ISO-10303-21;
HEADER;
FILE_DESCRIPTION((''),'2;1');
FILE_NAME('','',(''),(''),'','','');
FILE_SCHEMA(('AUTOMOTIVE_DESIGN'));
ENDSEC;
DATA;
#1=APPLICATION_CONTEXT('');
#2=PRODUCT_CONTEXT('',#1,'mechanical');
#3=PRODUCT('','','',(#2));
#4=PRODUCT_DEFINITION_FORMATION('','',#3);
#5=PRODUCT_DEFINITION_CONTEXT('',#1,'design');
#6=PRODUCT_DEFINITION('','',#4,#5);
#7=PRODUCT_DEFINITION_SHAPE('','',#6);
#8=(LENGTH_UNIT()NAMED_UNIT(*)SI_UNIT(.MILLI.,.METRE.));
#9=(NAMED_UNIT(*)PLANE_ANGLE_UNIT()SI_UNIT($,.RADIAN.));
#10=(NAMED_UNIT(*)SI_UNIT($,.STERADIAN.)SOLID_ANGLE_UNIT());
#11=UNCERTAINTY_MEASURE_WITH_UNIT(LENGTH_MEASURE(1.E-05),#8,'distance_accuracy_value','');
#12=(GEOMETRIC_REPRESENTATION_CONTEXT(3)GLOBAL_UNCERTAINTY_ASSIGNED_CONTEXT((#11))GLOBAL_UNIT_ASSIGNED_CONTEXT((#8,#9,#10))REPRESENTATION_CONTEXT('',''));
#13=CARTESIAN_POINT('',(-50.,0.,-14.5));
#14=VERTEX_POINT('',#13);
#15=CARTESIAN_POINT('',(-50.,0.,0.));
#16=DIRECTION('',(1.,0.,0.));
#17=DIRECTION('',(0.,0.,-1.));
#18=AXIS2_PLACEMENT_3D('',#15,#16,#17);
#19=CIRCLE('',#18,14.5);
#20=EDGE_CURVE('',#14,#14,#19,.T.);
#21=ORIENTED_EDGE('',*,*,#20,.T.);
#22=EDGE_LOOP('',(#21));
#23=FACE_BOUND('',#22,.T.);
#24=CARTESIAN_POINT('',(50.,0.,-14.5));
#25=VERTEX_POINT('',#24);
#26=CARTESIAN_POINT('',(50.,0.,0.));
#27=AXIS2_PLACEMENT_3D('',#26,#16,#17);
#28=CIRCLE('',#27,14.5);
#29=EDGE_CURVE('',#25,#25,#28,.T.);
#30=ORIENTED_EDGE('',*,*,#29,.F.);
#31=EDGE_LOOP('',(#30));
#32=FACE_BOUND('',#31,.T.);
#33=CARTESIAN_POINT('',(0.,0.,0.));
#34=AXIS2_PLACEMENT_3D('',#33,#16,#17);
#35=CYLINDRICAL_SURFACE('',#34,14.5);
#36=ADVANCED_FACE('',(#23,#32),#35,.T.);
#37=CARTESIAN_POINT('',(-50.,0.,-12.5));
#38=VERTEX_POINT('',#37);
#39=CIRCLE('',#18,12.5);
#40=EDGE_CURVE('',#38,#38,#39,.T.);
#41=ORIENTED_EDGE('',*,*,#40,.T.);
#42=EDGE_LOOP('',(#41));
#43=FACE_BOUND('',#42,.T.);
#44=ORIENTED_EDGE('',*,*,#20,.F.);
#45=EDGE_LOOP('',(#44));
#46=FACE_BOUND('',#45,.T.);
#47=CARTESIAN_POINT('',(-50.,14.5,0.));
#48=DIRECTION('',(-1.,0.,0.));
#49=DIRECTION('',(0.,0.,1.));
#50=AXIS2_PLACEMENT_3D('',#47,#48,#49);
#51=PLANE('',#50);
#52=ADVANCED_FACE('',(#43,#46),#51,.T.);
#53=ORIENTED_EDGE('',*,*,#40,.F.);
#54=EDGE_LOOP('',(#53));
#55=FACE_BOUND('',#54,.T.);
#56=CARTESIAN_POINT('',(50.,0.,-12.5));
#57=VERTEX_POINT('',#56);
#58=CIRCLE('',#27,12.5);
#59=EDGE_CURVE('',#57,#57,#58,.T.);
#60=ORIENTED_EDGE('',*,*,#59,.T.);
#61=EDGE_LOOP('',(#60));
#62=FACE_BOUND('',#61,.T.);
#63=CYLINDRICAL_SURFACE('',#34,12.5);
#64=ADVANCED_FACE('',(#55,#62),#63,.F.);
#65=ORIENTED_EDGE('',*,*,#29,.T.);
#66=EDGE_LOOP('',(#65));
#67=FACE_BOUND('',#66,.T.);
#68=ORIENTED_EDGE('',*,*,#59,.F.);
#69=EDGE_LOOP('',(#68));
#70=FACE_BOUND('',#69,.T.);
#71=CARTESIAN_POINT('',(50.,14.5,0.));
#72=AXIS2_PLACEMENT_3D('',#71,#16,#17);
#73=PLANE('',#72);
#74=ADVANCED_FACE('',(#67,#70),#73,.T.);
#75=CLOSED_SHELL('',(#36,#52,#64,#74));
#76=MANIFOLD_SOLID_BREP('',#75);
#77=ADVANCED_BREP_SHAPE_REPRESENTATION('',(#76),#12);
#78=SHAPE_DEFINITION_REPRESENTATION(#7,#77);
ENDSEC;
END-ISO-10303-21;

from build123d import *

# Parameters (mm, degrees)
SKETCH1_W = 100
SKETCH1_H = 2


with BuildPart() as part:
    # Sketch1 → Revolve1 (revolve)
    with BuildSketch(Plane.XY, mode=Mode.PRIVATE) as revolve1_sk:
        with Locations((0, 13.5)):
            Rectangle(SKETCH1_W, SKETCH1_H)
    revolve(revolve1_sk.sketch.rotate(Axis((0, 0, 0), (-1, 0, 0)), 90), axis=Axis((0, 0, 0), (-1, 0, 0)))


solid = part.part
